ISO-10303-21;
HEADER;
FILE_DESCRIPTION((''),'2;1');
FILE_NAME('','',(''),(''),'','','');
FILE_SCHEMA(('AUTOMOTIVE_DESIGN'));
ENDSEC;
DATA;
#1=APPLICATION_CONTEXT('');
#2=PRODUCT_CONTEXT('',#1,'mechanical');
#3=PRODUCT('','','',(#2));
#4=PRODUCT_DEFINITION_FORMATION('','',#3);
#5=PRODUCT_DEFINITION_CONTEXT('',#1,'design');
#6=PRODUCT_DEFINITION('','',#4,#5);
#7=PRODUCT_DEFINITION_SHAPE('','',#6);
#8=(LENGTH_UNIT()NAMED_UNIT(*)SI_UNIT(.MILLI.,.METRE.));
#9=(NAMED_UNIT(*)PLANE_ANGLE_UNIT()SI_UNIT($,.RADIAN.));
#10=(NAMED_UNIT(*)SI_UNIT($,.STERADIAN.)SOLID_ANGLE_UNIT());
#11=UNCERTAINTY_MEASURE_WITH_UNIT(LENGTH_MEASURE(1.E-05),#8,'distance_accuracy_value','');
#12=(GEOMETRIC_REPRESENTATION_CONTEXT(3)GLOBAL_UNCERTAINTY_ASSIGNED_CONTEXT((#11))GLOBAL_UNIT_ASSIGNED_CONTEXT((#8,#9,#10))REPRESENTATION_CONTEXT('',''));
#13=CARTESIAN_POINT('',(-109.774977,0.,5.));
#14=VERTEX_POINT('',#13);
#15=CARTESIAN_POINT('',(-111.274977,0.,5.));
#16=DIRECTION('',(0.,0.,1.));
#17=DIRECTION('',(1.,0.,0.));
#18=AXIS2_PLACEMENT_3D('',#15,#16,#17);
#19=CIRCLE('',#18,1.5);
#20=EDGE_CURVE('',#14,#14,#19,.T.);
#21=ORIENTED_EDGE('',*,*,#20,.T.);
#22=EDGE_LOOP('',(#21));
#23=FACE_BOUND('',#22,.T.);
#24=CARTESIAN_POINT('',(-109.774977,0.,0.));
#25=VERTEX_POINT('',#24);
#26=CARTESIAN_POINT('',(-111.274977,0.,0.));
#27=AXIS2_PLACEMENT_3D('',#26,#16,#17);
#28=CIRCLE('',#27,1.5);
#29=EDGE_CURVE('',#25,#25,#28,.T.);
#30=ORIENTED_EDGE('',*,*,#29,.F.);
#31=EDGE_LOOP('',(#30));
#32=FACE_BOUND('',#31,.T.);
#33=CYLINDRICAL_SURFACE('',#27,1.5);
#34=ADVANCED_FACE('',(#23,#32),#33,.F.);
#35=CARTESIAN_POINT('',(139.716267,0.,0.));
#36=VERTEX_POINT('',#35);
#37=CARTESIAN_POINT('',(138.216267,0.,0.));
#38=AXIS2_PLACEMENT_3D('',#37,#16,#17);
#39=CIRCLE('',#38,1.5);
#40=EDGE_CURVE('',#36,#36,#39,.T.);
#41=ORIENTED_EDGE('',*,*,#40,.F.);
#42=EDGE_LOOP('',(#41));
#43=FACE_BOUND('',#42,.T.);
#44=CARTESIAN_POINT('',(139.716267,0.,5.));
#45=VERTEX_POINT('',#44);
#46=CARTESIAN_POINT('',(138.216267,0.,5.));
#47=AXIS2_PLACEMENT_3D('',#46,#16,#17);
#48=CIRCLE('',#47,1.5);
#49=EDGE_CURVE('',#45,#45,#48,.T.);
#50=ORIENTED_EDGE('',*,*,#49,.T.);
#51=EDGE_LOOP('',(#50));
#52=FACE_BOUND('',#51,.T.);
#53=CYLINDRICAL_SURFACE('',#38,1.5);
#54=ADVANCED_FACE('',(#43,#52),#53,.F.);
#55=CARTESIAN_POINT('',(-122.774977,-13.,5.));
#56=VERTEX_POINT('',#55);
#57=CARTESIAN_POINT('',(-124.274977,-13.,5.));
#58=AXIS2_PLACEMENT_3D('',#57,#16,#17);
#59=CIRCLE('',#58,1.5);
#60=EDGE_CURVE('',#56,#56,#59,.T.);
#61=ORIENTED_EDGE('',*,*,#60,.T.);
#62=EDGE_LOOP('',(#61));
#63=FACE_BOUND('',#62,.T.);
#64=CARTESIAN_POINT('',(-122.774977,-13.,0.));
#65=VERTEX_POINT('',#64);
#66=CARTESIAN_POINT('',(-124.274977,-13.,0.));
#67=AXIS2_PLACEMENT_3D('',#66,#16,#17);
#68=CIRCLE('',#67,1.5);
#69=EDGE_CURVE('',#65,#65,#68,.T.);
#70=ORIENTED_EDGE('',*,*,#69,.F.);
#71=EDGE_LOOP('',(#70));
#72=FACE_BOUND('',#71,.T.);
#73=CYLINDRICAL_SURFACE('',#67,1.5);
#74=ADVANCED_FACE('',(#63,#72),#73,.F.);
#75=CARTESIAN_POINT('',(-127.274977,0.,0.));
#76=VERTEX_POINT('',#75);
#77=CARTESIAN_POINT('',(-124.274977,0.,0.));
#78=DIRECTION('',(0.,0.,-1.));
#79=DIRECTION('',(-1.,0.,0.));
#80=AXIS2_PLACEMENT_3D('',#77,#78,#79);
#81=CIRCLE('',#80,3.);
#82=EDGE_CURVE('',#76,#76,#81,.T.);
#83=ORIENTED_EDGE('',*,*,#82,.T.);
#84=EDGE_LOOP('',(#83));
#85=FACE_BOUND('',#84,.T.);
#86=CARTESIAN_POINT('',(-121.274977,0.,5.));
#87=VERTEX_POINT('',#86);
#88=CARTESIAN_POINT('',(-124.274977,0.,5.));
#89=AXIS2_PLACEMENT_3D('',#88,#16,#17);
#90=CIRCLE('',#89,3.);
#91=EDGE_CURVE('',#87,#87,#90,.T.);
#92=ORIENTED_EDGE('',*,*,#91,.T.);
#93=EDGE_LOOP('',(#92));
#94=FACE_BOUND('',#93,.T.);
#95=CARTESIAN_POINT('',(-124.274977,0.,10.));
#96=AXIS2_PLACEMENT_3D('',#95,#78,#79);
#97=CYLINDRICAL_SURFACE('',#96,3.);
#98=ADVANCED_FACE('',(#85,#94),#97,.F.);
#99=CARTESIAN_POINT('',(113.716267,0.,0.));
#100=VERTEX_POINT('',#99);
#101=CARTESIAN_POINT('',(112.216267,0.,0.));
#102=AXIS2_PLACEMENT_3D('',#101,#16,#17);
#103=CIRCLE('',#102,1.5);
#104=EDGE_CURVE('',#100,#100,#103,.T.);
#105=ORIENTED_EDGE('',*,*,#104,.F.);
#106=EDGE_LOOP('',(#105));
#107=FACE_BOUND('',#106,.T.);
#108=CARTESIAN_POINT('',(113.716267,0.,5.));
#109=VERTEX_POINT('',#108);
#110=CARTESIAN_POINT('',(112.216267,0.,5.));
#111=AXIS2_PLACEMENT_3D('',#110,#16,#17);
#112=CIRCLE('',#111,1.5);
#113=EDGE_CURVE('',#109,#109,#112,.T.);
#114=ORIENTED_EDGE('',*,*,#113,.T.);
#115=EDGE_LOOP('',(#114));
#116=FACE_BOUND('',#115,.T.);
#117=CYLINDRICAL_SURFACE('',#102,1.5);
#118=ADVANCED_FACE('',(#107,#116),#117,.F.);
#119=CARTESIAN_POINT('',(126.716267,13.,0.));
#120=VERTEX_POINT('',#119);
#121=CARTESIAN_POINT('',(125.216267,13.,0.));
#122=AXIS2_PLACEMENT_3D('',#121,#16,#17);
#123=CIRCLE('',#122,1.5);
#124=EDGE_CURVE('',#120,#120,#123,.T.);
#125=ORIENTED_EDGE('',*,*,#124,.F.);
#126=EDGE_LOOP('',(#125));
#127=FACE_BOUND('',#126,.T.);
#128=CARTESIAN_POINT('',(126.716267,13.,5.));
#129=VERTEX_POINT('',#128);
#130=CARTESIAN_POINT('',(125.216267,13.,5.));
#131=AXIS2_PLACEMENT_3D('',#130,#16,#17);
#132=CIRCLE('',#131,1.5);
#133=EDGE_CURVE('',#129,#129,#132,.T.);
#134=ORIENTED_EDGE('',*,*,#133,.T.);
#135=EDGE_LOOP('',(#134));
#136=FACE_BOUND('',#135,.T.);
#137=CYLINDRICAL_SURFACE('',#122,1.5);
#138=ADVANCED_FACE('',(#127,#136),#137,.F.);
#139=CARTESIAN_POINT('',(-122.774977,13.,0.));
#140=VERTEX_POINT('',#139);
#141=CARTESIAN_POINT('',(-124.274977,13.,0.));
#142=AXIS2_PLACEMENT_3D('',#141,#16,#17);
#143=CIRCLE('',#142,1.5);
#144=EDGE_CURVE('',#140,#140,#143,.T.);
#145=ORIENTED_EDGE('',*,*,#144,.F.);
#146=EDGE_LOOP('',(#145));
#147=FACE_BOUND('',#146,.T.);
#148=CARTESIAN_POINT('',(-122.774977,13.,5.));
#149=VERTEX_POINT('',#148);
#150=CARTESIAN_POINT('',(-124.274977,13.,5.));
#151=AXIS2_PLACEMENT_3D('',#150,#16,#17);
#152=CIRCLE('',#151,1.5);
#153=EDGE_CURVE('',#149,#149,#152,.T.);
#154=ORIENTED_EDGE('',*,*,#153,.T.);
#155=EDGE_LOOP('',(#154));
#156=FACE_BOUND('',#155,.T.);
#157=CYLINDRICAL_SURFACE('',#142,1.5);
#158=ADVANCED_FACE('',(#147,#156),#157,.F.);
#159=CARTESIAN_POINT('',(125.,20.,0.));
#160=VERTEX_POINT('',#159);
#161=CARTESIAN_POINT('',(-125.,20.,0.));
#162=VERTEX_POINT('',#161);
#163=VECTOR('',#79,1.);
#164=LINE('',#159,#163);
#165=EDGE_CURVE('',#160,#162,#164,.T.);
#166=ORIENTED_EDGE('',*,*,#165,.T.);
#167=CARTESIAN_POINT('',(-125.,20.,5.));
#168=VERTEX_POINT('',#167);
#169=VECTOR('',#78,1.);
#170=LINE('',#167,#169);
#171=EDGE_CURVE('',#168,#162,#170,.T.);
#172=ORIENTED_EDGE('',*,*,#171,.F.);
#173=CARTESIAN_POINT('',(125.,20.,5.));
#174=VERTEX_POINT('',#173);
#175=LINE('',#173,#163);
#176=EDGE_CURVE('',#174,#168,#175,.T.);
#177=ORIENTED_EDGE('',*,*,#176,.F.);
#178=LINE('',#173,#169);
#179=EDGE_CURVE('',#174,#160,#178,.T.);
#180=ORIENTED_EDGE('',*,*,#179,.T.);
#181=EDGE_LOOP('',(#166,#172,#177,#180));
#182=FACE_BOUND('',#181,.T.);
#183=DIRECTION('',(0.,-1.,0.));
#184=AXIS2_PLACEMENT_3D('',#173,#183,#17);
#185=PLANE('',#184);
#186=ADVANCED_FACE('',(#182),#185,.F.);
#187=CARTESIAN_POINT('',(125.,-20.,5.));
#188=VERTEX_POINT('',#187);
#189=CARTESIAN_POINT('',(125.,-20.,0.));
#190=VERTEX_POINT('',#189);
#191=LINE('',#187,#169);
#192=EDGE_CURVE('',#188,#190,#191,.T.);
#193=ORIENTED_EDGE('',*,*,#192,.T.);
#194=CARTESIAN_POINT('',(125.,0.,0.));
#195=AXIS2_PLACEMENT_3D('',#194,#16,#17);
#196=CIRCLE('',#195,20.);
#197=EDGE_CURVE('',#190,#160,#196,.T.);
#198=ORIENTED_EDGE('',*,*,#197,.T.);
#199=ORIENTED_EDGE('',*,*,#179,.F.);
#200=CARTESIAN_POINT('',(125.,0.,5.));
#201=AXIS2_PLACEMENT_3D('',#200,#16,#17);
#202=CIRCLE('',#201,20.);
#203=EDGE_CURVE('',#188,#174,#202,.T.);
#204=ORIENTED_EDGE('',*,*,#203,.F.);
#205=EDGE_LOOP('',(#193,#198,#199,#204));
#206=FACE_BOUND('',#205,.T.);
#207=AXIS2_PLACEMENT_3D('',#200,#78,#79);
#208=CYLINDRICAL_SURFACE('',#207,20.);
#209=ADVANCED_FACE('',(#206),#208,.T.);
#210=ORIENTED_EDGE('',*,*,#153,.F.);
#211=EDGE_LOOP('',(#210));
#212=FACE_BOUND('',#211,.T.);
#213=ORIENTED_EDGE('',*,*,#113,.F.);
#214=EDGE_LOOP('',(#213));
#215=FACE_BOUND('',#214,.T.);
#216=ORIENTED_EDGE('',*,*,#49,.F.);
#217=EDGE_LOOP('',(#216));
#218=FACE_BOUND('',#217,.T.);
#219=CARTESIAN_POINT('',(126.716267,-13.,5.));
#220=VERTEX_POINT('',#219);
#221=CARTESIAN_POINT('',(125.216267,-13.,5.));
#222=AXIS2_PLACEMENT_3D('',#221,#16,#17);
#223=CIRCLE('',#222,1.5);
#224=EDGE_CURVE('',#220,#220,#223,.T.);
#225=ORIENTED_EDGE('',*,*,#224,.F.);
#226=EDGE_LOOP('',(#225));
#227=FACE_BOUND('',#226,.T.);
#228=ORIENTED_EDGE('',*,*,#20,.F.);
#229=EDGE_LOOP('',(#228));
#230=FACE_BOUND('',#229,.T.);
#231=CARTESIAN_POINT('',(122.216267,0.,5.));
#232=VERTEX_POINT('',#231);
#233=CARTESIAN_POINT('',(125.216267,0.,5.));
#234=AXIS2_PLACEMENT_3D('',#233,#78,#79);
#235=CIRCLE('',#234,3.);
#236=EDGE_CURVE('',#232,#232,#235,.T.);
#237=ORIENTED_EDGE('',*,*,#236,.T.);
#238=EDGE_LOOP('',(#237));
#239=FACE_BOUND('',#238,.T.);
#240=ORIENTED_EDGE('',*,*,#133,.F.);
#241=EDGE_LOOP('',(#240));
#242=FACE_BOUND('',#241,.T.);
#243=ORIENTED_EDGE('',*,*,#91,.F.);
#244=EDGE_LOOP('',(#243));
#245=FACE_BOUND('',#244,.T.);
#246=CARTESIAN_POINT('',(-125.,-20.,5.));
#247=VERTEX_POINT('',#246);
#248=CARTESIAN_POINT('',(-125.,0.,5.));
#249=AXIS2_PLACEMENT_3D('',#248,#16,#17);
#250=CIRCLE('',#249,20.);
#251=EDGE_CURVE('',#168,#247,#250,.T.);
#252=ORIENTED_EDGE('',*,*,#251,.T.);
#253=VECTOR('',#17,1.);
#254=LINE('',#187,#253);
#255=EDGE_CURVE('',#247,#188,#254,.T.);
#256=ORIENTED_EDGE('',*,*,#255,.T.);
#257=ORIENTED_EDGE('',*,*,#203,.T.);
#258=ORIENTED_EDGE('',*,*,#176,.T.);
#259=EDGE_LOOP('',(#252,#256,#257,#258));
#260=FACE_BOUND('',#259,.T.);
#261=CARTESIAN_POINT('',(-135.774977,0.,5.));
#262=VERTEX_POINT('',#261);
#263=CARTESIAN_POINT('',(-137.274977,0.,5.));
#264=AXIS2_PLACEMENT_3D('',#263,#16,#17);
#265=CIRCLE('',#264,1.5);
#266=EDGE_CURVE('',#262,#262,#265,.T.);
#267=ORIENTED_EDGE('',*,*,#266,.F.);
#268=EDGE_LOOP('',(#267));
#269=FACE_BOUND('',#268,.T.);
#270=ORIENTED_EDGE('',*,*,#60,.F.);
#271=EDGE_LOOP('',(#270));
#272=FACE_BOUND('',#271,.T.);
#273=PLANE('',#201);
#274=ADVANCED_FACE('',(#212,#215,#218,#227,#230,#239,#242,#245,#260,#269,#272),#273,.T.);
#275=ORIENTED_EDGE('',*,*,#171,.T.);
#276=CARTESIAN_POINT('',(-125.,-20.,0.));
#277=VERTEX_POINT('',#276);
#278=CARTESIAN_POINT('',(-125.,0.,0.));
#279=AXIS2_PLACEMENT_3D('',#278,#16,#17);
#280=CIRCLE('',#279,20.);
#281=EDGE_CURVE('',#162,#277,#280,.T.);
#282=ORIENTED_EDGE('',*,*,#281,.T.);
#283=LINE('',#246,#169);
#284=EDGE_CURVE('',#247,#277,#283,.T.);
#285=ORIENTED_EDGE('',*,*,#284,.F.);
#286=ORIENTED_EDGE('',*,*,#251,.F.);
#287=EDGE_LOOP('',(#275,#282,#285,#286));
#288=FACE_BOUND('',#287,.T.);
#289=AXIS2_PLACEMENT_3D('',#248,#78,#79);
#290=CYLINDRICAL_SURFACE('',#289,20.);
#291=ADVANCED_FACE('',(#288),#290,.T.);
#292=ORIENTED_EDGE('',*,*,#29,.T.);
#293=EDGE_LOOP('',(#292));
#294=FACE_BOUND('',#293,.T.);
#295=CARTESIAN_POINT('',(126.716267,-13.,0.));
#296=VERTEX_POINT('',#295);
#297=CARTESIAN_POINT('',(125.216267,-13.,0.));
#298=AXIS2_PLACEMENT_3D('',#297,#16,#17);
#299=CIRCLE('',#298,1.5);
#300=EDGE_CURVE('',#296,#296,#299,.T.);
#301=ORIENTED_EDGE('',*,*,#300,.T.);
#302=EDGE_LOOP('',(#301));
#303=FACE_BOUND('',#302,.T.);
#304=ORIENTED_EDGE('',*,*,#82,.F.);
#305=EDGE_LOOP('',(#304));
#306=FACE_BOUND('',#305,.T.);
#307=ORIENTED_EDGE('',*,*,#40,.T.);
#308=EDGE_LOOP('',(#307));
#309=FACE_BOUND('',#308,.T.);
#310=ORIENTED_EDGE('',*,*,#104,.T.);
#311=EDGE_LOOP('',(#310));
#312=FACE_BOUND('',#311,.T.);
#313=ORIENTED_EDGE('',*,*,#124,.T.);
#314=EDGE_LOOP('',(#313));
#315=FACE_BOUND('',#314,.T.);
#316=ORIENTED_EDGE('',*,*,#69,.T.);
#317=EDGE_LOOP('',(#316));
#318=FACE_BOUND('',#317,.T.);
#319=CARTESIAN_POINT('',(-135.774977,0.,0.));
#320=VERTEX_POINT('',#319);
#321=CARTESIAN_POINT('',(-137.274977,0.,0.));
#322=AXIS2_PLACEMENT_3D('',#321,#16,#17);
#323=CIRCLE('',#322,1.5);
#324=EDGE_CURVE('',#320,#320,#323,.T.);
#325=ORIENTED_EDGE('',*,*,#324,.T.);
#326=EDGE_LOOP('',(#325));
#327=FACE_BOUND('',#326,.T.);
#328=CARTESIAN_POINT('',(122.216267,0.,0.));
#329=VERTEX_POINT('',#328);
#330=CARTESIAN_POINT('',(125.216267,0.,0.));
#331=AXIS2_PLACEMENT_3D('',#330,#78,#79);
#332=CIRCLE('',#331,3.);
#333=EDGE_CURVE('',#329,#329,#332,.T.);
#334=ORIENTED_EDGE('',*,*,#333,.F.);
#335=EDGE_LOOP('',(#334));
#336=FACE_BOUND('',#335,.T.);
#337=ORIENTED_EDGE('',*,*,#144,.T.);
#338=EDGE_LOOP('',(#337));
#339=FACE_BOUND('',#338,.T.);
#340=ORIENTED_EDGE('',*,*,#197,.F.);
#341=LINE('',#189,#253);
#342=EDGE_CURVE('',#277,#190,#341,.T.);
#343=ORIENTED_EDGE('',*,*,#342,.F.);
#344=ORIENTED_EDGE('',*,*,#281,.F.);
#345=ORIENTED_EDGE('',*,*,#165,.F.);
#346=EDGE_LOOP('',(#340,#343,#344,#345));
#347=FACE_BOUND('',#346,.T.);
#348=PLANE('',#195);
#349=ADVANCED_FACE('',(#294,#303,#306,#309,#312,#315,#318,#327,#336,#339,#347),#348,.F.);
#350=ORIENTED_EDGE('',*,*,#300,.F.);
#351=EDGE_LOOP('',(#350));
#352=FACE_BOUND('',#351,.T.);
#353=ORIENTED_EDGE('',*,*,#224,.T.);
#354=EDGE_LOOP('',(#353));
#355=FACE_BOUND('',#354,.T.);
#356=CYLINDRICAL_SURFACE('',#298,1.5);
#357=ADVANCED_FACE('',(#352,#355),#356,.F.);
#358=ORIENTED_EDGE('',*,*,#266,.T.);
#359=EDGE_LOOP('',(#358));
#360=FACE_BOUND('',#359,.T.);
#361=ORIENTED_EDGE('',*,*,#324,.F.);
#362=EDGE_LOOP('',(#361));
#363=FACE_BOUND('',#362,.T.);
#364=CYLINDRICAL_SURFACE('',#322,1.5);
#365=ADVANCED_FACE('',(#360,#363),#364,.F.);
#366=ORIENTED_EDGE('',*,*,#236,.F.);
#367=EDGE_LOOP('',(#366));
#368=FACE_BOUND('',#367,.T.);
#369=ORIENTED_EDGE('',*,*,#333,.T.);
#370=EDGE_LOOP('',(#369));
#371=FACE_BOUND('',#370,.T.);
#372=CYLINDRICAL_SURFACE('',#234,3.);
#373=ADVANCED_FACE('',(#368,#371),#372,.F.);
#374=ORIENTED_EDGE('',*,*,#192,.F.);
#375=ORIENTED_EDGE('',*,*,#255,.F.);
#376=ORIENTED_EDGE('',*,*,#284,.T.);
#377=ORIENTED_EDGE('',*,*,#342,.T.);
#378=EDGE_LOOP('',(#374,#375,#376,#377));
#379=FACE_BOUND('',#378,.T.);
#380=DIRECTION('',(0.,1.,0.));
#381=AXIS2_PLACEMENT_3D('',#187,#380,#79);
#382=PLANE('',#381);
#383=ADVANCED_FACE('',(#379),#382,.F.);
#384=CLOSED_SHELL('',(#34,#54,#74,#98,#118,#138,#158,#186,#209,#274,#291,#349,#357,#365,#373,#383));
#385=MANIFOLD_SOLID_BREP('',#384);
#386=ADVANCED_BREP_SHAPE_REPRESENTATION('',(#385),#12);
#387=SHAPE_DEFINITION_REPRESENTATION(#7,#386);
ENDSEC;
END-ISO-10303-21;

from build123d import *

# Parameters (mm, degrees)
BOSS_EXTRUDE1_DEPTH = 5
SKETCH2_R           = 1.5
CUT_EXTRUDE1_DEPTH  = 5
SKETCH3_R           = 3
CUT_EXTRUDE2_DEPTH  = 5
SKETCH4_R           = 3
CUT_EXTRUDE3_DEPTH  = 10


with BuildPart() as part:
    # Sketch1 → Boss-Extrude1 (new body)
    with BuildSketch(Plane.XY):
        with BuildLine():
            Line((125, -20), (-125, -20))
            ThreePointArc((-125, -20), (-145, 0), (-125, 20))
            Line((-125, 20), (125, 20))
            ThreePointArc((125, 20), (145, 0), (125, -20))
        make_face()
    extrude(amount=BOSS_EXTRUDE1_DEPTH)

    # Sketch2 → Cut-Extrude1 (cut)
    with BuildSketch(Plane.XY.offset(5)):
        with Locations((-124.274977314, 13)):
            Circle(SKETCH2_R)
        with Locations((-111.274977314, 0)):
            Circle(SKETCH2_R)
        with Locations((-124.274977314, -13)):
            Circle(SKETCH2_R)
        with Locations((-137.274977314, 0)):
            Circle(SKETCH2_R)
        with Locations((125.216266839, 13)):
            Circle(SKETCH2_R)
        with Locations((138.216266839, 0)):
            Circle(SKETCH2_R)
        with Locations((125.216266839, -13)):
            Circle(SKETCH2_R)
        with Locations((112.216266839, 0)):
            Circle(SKETCH2_R)
    extrude(amount=-CUT_EXTRUDE1_DEPTH, mode=Mode.SUBTRACT)

    # Sketch3 → Cut-Extrude2 (cut)
    with BuildSketch(Plane(origin=(0, 0, 0), x_dir=(-1, 0, 0), z_dir=(0, 0, -1))):
        with Locations((-125.216266839, 0)):
            Circle(SKETCH3_R)
    extrude(amount=-CUT_EXTRUDE2_DEPTH, mode=Mode.SUBTRACT)

    # Sketch4 → Cut-Extrude3 (cut)
    with BuildSketch(Plane(origin=(0, 0, 0), x_dir=(-1, 0, 0), z_dir=(0, 0, -1))):
        with Locations((124.274977314, 0)):
            Circle(SKETCH4_R)
    extrude(amount=-CUT_EXTRUDE3_DEPTH, mode=Mode.SUBTRACT)


solid = part.part
